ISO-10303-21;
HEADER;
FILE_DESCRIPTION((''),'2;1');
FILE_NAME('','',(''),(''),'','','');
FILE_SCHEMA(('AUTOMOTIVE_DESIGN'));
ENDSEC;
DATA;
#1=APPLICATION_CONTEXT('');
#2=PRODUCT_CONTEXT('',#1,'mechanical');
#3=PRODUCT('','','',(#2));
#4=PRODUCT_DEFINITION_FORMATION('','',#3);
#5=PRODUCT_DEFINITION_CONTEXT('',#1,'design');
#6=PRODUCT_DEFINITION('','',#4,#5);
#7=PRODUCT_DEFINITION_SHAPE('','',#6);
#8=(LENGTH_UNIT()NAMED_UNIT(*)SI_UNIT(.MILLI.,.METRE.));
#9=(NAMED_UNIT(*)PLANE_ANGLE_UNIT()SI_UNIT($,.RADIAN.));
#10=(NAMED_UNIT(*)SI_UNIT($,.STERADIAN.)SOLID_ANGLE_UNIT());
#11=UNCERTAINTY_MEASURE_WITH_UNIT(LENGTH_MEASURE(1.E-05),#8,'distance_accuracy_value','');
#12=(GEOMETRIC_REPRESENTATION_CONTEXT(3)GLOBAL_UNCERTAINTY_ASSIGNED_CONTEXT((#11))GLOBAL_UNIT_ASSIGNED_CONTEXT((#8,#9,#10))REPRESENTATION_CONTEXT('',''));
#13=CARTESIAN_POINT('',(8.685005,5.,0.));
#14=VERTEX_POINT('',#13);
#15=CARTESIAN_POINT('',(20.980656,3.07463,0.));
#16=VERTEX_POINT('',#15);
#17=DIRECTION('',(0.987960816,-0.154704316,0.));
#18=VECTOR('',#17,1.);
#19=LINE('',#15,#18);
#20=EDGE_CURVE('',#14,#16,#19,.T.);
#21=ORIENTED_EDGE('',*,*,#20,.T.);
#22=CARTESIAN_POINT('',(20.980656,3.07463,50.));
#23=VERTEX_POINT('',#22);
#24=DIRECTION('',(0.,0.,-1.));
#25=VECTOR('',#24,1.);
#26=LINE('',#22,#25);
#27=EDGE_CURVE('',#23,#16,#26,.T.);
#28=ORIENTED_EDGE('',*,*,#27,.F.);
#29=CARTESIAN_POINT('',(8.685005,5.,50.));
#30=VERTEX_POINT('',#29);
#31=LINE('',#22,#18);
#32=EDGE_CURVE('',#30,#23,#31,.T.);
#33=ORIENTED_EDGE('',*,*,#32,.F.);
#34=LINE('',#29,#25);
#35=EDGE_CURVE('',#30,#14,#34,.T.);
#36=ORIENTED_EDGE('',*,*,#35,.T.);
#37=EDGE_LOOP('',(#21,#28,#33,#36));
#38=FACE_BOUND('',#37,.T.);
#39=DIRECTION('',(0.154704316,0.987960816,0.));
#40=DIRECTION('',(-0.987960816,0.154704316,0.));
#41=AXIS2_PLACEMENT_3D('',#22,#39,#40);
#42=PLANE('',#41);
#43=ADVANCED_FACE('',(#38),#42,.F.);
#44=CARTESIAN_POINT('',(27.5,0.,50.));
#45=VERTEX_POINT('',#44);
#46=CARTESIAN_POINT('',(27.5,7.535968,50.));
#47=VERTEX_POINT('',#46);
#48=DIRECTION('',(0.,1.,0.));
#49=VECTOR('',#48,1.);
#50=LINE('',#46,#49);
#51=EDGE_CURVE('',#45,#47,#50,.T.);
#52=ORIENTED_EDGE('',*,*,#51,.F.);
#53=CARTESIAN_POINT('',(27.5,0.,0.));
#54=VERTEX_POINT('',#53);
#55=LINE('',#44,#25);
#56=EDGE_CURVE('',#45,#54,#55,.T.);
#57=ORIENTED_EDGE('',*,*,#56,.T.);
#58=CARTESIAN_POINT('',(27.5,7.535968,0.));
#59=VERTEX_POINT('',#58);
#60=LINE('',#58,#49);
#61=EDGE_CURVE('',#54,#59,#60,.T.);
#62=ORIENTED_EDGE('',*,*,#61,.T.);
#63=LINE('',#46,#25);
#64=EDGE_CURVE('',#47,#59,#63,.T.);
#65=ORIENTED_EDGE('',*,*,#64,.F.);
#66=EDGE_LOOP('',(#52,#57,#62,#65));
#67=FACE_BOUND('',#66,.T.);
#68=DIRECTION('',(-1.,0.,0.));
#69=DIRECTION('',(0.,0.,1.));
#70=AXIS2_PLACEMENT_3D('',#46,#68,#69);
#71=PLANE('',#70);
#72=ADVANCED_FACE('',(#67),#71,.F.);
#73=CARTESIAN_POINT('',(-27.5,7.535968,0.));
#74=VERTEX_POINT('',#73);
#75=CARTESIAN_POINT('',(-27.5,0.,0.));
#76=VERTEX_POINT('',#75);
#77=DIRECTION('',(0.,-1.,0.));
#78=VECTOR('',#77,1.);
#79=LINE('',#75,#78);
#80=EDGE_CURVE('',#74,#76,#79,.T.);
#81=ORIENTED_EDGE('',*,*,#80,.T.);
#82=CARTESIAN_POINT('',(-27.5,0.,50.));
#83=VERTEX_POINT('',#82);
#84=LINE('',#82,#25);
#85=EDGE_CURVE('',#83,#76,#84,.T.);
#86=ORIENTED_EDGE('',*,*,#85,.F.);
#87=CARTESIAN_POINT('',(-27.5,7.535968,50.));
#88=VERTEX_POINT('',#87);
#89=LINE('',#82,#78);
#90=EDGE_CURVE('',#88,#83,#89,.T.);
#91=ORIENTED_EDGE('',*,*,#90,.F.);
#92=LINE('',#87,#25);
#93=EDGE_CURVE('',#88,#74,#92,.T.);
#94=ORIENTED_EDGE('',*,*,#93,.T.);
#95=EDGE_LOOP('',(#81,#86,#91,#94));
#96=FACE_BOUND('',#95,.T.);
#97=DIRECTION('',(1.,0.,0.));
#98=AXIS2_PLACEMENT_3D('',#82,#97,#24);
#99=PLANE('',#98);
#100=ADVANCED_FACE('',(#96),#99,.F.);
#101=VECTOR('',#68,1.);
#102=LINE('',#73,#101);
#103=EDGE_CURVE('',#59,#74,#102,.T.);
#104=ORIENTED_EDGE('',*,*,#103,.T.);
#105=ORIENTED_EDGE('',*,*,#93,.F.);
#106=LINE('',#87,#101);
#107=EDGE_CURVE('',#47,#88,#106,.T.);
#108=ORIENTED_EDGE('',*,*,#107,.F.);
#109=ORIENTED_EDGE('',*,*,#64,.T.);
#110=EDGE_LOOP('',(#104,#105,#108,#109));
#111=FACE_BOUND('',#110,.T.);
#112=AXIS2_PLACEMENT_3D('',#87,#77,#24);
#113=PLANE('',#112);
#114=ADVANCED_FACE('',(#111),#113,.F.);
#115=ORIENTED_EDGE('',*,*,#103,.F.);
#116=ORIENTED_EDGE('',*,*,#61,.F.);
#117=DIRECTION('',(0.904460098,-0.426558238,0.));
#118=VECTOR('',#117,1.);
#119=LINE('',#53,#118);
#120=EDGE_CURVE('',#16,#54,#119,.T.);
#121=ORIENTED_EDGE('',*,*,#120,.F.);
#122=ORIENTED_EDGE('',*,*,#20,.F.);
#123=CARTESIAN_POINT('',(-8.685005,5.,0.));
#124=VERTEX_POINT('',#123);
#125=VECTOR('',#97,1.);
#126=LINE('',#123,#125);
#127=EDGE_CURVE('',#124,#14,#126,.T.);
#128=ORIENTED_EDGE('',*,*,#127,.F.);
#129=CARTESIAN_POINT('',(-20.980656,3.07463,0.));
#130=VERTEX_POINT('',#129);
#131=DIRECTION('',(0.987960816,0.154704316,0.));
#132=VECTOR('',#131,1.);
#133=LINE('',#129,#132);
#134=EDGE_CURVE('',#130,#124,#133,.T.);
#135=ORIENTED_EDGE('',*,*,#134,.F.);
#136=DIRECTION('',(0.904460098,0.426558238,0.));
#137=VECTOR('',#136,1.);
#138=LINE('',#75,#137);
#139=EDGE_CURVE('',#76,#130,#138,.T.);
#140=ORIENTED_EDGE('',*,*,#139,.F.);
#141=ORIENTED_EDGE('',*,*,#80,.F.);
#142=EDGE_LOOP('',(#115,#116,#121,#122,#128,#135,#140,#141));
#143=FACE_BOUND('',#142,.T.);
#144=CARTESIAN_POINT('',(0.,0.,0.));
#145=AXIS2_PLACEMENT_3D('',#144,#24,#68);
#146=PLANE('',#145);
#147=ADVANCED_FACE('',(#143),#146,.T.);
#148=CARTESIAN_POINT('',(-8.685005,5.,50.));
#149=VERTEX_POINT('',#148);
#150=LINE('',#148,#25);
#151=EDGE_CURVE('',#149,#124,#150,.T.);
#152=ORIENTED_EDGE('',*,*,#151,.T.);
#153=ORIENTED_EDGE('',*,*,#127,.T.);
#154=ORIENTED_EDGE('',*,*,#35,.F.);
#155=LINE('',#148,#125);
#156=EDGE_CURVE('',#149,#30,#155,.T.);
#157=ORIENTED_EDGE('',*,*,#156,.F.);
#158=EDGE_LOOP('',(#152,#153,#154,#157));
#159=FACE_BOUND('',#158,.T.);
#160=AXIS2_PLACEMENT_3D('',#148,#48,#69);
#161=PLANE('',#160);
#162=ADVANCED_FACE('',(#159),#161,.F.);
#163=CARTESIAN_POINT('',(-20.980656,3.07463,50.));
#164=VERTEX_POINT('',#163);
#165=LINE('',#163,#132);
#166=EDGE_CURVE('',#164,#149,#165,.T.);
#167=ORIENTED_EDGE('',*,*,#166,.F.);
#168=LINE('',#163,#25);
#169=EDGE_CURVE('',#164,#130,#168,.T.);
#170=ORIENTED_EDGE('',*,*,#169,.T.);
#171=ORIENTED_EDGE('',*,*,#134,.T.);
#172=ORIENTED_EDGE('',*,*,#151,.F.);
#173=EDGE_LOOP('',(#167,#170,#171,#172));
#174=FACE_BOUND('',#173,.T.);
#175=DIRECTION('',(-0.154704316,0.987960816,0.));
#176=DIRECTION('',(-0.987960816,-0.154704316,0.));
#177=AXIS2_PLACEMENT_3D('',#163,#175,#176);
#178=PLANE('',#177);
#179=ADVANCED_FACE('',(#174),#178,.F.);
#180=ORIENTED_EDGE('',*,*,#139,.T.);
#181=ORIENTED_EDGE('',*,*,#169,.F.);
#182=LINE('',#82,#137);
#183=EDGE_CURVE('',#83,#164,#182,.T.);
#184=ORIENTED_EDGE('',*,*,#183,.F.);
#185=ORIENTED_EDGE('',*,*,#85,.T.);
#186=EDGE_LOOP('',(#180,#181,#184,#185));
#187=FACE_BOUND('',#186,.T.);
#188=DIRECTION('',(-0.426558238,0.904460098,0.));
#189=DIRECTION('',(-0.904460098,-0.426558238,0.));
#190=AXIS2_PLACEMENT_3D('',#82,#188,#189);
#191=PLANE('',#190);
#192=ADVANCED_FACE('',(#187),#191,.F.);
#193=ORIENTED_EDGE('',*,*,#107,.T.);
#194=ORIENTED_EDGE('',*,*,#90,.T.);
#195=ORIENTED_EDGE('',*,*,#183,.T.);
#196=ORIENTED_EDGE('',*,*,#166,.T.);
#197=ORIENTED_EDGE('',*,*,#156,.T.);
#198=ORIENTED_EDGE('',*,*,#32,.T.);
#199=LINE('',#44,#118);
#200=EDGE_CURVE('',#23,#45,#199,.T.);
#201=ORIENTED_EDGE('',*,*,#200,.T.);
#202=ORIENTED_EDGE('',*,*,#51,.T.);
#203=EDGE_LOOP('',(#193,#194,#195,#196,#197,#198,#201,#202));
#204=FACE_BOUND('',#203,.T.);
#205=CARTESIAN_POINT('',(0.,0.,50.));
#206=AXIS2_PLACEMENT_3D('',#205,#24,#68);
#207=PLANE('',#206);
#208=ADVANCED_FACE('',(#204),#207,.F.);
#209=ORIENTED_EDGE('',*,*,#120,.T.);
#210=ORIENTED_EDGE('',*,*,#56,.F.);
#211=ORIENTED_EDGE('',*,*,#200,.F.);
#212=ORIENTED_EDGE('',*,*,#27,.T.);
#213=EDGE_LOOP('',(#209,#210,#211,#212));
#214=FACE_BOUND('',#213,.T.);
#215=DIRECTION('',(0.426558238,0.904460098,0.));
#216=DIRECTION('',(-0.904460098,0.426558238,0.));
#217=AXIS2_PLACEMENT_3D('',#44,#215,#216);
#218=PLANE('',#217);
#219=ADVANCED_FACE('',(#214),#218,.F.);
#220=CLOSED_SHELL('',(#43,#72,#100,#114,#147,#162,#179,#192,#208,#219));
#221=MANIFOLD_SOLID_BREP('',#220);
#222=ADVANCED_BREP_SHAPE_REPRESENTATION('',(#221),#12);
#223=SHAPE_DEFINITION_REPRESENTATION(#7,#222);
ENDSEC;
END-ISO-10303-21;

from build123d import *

# Parameters (mm, degrees)
BOSS_EXTRU_1_DEPTH = 50


with BuildPart() as part:
    # Esquisse1 → Boss.-Extru.1 (new body)
    with BuildSketch(Plane.XY):
        Polygon((-27.5, 0), (-20.980655657, 3.074629871), (-8.685004832, 5), (8.685004832, 5), (20.980655657, 3.074629871), (27.5, 0), (27.5, 7.535967642), (-27.5, 7.535967642), align=None)
    extrude(amount=BOSS_EXTRU_1_DEPTH)


solid = part.part
